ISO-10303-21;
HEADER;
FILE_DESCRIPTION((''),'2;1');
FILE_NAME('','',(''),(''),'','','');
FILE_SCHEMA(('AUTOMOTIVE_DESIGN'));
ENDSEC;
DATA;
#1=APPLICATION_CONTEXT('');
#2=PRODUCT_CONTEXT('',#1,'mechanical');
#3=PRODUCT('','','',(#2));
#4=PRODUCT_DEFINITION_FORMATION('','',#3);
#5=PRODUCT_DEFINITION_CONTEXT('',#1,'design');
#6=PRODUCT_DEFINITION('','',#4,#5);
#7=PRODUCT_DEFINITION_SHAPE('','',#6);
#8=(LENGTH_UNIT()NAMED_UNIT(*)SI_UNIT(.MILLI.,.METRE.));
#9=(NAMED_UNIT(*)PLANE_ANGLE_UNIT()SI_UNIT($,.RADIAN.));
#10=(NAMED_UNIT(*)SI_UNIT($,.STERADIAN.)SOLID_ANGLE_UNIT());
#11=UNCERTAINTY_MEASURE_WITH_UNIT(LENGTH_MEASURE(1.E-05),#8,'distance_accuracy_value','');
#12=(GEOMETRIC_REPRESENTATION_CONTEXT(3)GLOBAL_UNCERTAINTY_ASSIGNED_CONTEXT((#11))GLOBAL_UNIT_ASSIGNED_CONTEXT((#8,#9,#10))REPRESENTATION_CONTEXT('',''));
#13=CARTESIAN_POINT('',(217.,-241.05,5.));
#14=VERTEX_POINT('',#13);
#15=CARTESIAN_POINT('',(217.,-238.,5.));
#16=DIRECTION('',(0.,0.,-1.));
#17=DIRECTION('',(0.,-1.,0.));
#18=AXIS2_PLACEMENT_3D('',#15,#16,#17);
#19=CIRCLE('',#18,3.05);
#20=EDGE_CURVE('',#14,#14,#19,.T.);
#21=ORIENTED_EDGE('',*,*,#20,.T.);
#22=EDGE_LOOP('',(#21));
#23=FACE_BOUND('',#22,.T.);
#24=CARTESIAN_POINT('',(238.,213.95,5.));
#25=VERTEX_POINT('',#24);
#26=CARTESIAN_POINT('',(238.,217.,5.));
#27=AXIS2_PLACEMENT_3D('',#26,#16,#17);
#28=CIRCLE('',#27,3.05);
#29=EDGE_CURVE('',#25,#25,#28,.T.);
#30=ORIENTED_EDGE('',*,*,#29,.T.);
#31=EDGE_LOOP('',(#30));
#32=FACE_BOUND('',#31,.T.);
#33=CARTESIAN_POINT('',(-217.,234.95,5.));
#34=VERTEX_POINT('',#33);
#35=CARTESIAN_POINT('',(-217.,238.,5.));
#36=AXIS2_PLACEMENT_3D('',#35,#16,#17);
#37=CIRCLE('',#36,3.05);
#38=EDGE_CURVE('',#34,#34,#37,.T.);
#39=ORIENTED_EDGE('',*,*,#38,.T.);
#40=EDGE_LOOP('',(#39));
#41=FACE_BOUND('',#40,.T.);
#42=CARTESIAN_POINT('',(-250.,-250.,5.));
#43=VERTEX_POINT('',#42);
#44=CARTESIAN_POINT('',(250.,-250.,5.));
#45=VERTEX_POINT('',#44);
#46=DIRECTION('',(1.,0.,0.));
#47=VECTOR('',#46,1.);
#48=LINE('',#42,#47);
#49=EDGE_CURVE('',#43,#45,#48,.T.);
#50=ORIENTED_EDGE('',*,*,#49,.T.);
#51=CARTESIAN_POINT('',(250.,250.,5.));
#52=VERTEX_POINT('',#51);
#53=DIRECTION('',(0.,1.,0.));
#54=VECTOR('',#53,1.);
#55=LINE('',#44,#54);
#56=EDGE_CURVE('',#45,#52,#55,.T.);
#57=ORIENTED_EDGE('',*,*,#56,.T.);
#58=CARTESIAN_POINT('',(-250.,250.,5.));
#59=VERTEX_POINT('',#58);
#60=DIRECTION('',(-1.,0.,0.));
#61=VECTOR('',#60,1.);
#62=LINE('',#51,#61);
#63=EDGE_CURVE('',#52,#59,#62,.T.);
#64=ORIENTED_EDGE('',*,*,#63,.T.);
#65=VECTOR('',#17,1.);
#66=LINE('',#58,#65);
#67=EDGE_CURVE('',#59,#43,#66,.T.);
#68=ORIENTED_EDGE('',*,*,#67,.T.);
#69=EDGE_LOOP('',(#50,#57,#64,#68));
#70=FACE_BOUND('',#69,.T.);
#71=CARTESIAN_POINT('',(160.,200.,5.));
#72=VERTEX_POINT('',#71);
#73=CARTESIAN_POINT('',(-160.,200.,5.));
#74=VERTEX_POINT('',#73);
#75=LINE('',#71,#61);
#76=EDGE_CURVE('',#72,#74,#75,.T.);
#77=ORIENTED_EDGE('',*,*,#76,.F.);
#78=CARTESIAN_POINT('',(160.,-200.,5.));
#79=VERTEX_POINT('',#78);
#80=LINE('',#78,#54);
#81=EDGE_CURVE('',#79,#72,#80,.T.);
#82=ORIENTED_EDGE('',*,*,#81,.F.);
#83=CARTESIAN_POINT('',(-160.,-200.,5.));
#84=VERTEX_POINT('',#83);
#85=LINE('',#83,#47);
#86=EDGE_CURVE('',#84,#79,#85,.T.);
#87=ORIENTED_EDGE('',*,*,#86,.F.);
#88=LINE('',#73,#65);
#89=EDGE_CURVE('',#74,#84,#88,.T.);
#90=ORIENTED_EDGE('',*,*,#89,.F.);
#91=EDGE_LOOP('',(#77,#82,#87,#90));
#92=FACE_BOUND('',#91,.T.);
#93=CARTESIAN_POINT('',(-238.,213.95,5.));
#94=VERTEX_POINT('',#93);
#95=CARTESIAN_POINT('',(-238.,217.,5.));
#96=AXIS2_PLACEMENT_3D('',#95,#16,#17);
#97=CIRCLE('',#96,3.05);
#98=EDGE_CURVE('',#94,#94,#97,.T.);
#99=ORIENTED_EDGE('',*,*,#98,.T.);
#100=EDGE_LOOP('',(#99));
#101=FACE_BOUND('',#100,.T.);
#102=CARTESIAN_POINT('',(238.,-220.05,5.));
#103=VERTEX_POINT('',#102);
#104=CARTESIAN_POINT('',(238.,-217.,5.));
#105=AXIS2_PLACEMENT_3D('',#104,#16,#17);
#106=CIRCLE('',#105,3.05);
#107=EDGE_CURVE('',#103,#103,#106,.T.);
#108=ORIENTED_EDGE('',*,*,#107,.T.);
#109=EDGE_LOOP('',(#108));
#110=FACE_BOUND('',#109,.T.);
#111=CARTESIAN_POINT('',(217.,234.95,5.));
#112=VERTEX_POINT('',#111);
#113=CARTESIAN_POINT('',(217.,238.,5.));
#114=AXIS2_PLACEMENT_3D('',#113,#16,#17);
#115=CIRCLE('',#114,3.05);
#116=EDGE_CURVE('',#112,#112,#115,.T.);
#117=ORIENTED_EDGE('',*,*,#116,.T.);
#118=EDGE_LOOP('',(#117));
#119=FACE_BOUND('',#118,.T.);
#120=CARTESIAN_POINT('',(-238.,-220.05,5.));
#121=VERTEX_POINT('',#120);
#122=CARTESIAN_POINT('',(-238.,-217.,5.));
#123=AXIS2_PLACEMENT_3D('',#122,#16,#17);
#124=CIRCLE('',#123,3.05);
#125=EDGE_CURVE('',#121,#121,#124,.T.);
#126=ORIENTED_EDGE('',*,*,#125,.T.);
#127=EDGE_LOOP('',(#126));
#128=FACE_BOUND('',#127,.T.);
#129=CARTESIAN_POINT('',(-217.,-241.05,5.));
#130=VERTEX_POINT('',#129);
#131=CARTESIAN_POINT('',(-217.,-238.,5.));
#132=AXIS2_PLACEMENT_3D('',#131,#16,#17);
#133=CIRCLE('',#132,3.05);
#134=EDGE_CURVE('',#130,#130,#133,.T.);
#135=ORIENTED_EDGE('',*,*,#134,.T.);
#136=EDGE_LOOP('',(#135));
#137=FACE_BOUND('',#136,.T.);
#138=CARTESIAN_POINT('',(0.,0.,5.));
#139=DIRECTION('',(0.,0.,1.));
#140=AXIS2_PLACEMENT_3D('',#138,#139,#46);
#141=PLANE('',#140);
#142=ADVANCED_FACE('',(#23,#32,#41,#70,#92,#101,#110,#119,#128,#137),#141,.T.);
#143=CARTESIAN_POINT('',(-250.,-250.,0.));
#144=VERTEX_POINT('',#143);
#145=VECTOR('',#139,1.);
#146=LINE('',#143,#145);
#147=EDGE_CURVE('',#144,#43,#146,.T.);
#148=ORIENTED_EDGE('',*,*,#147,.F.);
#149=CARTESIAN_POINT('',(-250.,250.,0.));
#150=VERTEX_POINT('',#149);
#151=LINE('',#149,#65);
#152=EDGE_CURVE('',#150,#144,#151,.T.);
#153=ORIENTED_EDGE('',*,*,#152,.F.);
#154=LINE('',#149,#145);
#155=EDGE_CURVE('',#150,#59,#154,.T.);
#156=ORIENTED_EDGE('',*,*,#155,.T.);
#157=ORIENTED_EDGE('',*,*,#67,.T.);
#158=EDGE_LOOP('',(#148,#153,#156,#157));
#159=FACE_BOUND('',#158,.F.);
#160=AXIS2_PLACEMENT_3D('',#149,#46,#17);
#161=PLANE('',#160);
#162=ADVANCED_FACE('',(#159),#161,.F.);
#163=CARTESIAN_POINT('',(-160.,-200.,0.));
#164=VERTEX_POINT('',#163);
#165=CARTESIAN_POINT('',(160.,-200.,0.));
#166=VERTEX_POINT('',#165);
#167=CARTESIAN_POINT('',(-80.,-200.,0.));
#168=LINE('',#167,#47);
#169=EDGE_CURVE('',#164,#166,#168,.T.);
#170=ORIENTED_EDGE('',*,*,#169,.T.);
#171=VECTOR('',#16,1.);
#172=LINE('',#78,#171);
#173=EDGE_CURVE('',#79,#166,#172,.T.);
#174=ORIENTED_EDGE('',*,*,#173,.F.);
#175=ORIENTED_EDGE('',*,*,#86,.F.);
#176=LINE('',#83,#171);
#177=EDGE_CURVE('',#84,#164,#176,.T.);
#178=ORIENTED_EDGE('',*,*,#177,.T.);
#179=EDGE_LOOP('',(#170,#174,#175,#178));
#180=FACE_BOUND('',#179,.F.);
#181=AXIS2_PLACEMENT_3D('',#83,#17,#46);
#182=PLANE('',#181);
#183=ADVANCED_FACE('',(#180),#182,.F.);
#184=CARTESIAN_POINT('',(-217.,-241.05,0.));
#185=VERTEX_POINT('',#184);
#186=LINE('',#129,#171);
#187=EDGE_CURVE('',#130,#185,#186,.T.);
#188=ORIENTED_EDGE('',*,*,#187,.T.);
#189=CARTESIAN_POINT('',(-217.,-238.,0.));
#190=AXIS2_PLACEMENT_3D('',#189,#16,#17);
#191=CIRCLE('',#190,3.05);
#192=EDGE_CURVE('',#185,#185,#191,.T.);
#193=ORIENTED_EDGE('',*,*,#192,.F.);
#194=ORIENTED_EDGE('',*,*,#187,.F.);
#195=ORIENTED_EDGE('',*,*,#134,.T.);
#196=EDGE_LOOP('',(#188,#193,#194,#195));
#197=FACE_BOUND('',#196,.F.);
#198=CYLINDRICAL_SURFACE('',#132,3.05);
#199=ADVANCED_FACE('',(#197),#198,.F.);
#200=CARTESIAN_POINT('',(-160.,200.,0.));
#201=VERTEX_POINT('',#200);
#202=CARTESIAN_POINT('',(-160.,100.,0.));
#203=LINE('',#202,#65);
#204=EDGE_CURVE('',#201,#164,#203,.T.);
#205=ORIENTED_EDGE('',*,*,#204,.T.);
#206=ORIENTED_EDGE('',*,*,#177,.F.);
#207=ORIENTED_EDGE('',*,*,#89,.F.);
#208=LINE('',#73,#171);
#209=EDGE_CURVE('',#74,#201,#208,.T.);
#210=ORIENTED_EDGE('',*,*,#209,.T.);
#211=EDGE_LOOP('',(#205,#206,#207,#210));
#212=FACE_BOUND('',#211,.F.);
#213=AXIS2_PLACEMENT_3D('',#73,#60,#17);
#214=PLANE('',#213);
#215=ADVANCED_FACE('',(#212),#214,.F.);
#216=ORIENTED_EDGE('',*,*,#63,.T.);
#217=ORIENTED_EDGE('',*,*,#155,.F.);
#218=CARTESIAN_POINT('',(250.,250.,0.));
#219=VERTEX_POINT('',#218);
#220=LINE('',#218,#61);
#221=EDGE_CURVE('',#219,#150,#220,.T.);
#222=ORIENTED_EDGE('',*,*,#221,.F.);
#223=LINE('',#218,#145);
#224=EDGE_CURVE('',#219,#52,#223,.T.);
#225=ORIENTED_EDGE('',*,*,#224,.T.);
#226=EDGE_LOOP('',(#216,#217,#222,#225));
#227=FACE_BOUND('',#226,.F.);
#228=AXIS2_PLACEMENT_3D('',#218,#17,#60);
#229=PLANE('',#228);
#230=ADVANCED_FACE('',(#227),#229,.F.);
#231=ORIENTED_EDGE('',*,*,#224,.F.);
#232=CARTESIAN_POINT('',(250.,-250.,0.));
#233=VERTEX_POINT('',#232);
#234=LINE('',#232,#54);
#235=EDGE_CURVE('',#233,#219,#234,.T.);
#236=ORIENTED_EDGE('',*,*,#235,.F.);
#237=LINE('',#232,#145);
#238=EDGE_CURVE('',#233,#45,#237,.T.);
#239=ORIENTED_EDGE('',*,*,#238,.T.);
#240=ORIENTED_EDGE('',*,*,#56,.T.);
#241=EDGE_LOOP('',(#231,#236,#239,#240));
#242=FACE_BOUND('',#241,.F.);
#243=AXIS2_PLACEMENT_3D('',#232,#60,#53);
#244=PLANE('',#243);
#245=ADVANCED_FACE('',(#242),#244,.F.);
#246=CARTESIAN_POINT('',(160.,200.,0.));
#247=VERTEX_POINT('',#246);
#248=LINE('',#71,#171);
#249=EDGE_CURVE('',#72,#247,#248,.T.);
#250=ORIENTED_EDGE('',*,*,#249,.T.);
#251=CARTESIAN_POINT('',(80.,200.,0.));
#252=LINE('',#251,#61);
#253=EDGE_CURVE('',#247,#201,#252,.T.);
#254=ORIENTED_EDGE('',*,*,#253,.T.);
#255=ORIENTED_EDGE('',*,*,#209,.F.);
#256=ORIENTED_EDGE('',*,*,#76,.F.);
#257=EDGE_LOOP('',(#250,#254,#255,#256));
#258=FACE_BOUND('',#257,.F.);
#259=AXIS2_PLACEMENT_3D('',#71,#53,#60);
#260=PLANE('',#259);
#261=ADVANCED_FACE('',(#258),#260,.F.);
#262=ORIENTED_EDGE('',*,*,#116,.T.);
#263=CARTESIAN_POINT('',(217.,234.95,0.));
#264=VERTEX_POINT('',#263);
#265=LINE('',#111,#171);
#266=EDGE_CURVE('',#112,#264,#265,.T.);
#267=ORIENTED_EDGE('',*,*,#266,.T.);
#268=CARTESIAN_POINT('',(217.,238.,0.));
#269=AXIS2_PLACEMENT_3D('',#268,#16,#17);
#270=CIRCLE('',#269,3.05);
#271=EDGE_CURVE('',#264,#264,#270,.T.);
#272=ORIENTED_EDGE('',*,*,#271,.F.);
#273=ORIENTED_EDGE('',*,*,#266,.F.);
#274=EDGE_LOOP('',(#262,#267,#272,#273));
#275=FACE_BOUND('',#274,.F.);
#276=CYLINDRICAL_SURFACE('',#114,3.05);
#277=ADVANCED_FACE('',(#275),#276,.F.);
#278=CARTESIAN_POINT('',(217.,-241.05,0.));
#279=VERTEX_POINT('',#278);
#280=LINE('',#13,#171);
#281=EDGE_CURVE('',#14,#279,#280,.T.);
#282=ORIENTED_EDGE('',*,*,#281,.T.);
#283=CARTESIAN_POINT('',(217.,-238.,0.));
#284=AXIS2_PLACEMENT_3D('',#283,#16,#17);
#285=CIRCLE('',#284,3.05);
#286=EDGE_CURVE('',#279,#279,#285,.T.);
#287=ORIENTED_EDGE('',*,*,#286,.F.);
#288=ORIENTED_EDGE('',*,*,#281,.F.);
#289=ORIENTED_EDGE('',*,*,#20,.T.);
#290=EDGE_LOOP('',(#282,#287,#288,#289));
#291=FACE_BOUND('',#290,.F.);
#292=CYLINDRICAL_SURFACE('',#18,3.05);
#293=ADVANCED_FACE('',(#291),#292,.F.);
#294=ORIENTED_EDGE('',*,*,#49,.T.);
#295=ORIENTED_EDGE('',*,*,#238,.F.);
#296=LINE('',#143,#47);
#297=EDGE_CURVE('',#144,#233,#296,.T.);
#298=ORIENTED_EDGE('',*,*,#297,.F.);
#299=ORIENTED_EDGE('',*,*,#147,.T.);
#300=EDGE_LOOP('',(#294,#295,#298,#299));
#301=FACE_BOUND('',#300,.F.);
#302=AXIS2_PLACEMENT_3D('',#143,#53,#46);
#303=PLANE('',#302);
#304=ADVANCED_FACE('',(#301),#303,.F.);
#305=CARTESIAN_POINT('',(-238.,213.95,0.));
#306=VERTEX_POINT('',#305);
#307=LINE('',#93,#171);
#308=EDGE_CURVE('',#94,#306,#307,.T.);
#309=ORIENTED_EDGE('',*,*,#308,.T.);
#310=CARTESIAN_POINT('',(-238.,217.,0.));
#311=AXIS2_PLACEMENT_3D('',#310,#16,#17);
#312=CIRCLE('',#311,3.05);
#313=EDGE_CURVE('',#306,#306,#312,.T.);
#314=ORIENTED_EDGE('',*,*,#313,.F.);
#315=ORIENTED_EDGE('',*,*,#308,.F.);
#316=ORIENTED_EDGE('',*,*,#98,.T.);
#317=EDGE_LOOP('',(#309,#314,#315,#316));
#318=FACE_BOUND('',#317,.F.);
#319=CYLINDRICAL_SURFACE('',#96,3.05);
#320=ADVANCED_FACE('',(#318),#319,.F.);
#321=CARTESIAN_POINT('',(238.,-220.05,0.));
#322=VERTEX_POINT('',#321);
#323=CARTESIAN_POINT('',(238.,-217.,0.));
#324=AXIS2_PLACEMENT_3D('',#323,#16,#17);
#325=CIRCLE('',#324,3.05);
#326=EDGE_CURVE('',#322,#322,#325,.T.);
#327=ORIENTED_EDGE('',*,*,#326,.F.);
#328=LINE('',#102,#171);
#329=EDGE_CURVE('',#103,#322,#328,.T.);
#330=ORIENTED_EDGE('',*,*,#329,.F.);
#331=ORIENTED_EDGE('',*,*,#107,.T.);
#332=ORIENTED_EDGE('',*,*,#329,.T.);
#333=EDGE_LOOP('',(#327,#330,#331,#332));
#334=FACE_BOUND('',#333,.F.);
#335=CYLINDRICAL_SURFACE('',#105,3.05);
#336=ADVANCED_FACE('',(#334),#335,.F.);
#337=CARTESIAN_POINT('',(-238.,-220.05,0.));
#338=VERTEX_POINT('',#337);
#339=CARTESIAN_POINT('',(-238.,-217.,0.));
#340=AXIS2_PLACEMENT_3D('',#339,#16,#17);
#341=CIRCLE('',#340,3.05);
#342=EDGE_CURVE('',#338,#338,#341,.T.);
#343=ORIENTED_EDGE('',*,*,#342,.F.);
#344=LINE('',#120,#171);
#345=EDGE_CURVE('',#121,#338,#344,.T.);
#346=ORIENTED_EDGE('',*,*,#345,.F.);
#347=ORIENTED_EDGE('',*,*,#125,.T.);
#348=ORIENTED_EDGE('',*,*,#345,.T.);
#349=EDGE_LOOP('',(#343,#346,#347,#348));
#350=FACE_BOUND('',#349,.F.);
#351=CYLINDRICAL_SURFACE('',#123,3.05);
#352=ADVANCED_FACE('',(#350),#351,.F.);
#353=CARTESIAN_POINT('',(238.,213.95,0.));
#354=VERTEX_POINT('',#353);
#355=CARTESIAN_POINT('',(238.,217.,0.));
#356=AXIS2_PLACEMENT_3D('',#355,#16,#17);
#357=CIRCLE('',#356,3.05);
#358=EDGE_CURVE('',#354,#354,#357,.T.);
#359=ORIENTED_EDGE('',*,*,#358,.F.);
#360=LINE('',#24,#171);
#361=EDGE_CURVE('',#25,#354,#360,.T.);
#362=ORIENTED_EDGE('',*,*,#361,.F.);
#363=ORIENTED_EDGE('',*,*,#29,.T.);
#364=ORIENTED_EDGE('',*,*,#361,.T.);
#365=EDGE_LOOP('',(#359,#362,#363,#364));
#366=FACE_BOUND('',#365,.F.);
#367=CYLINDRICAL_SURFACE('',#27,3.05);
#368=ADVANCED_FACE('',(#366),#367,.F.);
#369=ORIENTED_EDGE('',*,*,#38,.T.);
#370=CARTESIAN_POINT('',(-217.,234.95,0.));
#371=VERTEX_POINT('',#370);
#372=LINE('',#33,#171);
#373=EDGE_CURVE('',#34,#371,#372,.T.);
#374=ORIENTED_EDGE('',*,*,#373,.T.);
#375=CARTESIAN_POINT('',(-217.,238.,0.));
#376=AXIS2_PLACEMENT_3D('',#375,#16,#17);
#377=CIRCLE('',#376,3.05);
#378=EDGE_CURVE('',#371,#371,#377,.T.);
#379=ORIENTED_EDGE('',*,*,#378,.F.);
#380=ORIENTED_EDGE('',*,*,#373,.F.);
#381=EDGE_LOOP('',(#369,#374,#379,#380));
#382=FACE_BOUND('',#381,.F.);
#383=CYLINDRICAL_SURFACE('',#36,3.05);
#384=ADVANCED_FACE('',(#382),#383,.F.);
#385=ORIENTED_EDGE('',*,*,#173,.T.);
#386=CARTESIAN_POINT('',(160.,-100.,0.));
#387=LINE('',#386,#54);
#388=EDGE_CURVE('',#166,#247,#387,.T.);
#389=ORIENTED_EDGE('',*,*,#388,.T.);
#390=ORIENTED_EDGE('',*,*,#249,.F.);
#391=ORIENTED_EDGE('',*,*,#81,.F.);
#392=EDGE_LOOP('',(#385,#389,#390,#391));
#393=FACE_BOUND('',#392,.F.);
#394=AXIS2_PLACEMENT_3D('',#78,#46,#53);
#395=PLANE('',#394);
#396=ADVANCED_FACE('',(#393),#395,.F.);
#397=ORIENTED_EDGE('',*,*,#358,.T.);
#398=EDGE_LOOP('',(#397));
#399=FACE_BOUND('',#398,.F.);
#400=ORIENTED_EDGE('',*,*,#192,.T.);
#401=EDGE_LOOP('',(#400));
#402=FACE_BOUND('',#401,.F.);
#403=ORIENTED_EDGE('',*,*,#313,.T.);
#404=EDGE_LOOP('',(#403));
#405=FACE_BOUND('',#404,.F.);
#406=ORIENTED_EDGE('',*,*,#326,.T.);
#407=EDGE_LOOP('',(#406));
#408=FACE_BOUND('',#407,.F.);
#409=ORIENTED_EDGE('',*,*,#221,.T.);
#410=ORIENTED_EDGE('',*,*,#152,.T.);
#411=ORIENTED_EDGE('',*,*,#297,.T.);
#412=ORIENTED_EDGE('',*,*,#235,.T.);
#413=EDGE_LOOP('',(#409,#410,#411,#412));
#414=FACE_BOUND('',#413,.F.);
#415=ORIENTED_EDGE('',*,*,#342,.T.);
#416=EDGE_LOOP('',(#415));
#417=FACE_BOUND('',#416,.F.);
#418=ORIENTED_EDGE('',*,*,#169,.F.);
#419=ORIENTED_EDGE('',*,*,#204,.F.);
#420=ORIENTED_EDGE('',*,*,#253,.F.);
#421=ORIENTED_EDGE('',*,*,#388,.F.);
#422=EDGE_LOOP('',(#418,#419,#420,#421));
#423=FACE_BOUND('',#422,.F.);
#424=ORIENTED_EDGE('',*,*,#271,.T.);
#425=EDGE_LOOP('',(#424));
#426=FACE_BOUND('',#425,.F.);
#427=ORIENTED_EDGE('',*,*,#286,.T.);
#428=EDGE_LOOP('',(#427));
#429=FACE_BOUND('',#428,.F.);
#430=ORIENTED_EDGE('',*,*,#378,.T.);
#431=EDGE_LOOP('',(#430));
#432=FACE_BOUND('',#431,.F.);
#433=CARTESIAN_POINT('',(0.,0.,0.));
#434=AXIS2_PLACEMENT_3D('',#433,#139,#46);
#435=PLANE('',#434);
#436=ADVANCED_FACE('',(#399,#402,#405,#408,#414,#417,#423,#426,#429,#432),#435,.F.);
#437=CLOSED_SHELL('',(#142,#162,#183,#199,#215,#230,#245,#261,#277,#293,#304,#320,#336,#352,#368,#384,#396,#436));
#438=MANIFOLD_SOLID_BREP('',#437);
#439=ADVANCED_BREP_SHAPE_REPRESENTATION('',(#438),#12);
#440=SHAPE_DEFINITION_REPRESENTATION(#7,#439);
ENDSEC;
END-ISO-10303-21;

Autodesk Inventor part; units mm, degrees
ref_plane "YZ Plane" through (0, 0, 0) normal (1, 0, 0) x (0, 1, 0)
ref_plane "XZ Plane" through (0, 0, 0) normal (0, 1, 0) x (-1, 0, 0)
ref_plane "XY Plane" through (0, 0, 0) normal (0, 0, 1) x (1, 0, 0)
sketch "Skizze1" plane through (0, 0, 0) normal (0, 0, 1) x (1, 0, 0)
  line L0 (-250, -250) -> (250, -250)
  line L1 (250, -250) -> (250, 250)
  line L2 (250, 250) -> (-250, 250)
  line L3 (-250, 250) -> (-250, -250)
  line L4 (-250, -250) -> (250, 250) construction
  line L5 (250, -250) -> (-250, 250) construction
  point P0 (0, 0)
  dimension "d0" = 500
  dimension "d1" = 500
extrude "Extrusion1" add sketch "Skizze1" along normal blind 5
sketch "Skizze2" plane through (0, 0, 5) normal (0, 0, 1) x (1, 0, 0)
  line L0 (250, 250) -> (-250, 250) projected
  line L1 (-250, 250) -> (-250, -250) projected
  line L2 (0, -350) -> (0, 350) projected
  line L3 (-350, 0) -> (350, 0) projected
  point P0 (0, 0)
  point P1 (-238, 217)
  point P2 (-217, 238)
  point P3 (238, 217)
  point P4 (217, 238)
  point P5 (-238, -217)
  point P6 (-217, -238)
  point P7 (217, -238)
  point P8 (238, -217)
  dimension "d4" = 33
  dimension "d5" = 33
  dimension "d6" = 12
  dimension "d7" = 12
hole "Bohrung1" at (-238, 217, 5) at (-217, 238, 5) at (217, 238, 5) at (238, 217, 5) at (-238, -217, 5) at (-217, -238, 5) at (217, -238, 5) at (238, -217, 5) direction (0, 0, -1) diameter 6.1 end through all
sketch "Skizze3" plane through (0, 0, 5) normal (0, 0, 1) x (1, 0, 0)
  line L0 (-160, -200) -> (160, -200)
  line L1 (160, -200) -> (160, 200)
  line L2 (160, 200) -> (-160, 200)
  line L3 (-160, 200) -> (-160, -200)
  line L4 (-160, -200) -> (160, 200) construction
  line L5 (160, -200) -> (-160, 200) construction
  point P0 (0, 0)
  dimension "d15" = 320
  dimension "d16" = 400
extrude "Extrusion2" cut sketch "Skizze3" against normal through all
properties part number "Hinterwand"
